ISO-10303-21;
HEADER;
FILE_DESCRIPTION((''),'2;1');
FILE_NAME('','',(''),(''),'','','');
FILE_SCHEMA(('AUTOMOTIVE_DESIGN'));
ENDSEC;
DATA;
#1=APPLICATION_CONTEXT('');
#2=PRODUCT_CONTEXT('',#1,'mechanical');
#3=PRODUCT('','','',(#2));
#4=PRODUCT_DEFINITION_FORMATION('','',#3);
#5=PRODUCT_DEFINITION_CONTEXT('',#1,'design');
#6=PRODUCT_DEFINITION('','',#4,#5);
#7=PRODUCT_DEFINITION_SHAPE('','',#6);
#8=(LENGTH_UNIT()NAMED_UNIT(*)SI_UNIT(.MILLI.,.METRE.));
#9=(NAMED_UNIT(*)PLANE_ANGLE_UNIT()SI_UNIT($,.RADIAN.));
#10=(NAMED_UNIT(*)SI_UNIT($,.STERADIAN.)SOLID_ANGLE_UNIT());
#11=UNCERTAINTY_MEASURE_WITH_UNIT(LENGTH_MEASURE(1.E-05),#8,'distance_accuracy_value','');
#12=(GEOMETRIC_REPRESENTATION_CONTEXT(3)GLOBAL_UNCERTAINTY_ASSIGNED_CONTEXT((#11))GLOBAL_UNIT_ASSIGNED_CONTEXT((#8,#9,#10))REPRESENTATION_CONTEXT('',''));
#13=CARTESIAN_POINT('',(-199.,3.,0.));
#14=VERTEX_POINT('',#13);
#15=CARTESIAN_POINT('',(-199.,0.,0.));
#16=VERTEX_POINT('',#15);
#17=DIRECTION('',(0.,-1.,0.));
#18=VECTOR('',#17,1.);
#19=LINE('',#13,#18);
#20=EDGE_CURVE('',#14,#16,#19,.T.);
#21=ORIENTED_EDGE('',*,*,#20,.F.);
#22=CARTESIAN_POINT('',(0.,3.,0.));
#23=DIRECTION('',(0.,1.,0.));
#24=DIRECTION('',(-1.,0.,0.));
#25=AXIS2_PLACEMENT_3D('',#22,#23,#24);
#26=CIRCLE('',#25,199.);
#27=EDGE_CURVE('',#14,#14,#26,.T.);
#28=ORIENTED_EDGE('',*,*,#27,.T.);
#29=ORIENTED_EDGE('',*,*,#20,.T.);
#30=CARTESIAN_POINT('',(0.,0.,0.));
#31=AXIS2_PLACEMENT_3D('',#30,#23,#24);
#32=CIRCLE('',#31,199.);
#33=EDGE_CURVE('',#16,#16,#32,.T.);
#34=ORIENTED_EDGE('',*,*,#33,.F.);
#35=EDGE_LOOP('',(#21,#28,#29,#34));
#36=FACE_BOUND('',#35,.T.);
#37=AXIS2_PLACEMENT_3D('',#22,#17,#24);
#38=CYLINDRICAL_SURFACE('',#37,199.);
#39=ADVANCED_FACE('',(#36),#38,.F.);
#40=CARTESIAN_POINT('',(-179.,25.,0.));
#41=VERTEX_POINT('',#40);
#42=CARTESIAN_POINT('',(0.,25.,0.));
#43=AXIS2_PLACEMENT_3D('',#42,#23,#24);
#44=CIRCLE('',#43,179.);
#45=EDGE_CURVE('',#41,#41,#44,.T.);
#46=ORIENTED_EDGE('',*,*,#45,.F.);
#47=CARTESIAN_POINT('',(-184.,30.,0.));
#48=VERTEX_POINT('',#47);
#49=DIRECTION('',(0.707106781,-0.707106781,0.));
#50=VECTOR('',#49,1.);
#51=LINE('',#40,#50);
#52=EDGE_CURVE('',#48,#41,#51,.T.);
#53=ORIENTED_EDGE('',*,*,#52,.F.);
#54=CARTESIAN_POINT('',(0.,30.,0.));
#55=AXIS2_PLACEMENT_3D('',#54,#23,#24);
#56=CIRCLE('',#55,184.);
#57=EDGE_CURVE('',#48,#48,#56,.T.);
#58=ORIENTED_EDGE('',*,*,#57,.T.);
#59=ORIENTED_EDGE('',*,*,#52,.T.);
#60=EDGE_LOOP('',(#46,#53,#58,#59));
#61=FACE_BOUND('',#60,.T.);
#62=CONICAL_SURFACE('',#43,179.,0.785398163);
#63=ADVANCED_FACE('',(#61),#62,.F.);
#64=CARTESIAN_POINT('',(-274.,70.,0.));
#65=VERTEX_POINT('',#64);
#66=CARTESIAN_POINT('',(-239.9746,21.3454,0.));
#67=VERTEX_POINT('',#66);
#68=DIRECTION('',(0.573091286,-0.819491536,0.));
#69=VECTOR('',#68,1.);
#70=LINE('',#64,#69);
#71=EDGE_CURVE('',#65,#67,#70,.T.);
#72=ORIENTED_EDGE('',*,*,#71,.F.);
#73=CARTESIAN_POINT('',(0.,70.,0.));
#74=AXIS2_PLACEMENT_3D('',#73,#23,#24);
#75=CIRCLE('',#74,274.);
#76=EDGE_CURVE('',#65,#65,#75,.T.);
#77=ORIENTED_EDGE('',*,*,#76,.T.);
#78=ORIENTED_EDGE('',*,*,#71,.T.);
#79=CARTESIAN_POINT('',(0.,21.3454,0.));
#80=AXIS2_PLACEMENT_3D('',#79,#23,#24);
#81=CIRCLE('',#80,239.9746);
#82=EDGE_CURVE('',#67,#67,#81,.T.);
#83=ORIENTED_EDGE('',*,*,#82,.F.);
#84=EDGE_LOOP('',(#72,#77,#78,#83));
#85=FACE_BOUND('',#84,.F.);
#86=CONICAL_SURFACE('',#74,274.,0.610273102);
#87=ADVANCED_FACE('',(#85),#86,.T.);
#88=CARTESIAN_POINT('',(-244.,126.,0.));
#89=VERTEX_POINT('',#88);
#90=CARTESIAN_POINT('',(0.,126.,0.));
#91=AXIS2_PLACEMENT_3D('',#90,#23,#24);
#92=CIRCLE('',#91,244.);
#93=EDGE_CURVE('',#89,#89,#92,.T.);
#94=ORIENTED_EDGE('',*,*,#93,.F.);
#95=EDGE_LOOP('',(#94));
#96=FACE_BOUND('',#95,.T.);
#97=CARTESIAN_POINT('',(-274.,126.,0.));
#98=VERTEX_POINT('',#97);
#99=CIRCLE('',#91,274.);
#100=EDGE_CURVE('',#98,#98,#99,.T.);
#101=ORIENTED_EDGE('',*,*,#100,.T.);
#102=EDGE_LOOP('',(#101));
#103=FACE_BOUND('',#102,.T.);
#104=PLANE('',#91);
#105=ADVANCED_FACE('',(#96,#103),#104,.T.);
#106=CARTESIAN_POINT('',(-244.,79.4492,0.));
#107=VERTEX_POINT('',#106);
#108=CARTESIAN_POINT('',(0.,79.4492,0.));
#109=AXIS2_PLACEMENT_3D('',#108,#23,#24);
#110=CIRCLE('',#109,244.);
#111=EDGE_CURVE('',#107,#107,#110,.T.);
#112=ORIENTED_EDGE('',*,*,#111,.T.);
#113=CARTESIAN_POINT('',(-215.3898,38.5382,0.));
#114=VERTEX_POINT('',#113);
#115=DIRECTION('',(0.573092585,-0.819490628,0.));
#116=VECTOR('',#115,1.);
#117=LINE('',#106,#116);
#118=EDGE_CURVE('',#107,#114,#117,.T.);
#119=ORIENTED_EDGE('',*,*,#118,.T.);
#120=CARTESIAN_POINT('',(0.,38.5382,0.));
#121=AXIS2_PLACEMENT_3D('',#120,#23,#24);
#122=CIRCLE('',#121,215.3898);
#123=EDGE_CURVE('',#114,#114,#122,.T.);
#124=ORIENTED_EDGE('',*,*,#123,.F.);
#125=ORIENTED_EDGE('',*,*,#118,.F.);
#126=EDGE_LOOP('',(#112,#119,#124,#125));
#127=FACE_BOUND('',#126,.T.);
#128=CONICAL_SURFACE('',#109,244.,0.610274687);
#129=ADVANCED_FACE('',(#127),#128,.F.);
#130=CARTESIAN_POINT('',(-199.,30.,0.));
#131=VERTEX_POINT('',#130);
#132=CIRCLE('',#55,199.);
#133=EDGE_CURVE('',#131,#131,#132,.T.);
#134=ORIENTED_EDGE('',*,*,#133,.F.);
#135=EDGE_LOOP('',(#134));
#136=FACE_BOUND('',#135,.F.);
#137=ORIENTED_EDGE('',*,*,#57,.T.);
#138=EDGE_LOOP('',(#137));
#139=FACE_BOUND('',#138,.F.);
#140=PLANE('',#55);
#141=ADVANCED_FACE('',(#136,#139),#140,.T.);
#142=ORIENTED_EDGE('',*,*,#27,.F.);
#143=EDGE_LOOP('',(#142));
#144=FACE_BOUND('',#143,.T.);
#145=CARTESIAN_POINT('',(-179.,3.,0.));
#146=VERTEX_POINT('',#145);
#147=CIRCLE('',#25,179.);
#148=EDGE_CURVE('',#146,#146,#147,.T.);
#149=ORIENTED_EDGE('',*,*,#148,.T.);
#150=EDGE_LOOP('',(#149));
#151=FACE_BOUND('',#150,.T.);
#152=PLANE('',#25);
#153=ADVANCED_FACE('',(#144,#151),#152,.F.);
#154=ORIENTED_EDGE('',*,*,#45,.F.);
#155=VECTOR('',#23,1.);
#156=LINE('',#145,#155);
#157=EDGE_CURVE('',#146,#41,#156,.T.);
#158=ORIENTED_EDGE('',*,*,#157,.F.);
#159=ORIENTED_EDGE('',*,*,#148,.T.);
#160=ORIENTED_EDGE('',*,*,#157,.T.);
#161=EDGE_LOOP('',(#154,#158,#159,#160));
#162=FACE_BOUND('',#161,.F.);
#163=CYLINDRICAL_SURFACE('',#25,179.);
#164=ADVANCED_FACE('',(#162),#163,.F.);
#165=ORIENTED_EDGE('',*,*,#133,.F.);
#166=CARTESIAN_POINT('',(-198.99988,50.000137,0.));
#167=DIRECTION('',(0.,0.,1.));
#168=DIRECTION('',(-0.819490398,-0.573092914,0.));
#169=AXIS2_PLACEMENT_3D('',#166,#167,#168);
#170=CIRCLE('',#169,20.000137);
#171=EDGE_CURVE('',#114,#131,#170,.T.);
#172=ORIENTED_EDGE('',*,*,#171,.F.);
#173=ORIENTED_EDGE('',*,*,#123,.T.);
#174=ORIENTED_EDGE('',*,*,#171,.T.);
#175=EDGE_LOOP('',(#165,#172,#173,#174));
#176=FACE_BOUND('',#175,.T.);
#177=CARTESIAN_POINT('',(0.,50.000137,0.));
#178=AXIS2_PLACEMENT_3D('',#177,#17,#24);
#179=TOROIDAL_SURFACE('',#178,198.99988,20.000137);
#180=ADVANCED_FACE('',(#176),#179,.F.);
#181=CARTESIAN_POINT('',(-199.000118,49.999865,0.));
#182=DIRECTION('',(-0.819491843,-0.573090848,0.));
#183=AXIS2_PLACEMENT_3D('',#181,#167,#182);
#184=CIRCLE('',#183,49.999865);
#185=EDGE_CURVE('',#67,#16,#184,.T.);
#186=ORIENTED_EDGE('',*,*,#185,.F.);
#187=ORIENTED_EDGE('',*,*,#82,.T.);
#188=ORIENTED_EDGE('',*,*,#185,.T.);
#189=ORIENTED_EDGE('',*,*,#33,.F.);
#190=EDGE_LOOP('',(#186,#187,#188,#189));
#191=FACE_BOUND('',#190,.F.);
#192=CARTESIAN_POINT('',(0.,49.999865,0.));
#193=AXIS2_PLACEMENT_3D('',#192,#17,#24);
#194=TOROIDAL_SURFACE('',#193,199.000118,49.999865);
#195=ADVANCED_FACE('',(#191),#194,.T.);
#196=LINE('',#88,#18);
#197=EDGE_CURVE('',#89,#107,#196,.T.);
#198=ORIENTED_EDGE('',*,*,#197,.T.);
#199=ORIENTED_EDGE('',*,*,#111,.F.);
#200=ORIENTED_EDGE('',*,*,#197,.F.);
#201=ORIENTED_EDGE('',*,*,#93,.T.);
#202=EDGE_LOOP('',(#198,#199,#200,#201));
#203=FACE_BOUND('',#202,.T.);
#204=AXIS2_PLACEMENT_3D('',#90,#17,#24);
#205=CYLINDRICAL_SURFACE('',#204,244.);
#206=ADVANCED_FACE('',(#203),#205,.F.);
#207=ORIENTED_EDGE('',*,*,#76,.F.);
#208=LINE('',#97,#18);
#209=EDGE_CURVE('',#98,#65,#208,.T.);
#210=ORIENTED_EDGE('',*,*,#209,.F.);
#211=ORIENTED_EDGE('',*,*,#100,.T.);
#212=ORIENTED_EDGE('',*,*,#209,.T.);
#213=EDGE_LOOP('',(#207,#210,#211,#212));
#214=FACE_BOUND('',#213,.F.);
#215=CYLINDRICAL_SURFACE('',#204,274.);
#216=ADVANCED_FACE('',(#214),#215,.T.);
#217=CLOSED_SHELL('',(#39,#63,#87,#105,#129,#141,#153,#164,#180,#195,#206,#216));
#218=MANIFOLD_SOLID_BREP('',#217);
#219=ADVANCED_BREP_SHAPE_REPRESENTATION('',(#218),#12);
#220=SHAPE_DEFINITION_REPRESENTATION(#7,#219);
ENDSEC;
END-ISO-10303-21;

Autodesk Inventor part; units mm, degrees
ref_plane "YZ Plane" through (0, 0, 0) normal (1, 0, 0) x (0, 1, 0)
ref_plane "XZ Plane" through (0, 0, 0) normal (0, 1, 0) x (-1, 0, 0)
ref_plane "XY Plane" through (0, 0, 0) normal (0, 0, 1) x (1, 0, 0)
sketch "Sketch1" plane through (0, 0, 0) normal (0, 0, 1) x (1, 0, 0)
  line L0 (-179, 3) -> (-179, 30)
  line L1 (-179, 30) -> (-199, 30)
  line L2 (-274, 126) -> (-244, 126)
  line L3 (-274, 126) -> (-274, 70)
  arc A0 (-239.9746, 21.3454) -> (-199, 0) centre (-199, 50) ccw
  line L4 (-274, 70) -> (-239.9746, 21.3454)
  line L5 (0, 0) -> (-199, 0) construction
  line L6 (-244, 126) -> (-244, 79.4492)
  line L7 (-244, 79.4492) -> (-215.3898, 38.5382)
  arc A1 (-215.3898, 38.5382) -> (-199, 30) centre (-199, 50) ccw
  line L8 (-179, 3) -> (-199, 3)
  line L9 (-199, 3) -> (-199, 0)
  line L10 (0, -31.2197) -> (0, 152.2033) construction
  line L11 (-239.9746, 21.3454) -> (-215.3898, 38.5382) construction
  dimension "d3" = 50
  dimension "d4" = 123
  dimension "d5" = 65
  dimension "d6" = 30
  dimension "d11" = 30
  dimension "d22" = 199
  dimension "d23" = 20
  dimension "d32" = 3
  dimension "d42" = 27
  dimension "d44" = 70
revolve "Revolution1" add sketch "Sketch1" angle 360 about axis through (0, -10, 0) along (0, 1, 0)
chamfer "Chamfer1" distance 5 angle 45 1 edges at (179, 30, 0)
properties material "Polyethylene, Low Density"
